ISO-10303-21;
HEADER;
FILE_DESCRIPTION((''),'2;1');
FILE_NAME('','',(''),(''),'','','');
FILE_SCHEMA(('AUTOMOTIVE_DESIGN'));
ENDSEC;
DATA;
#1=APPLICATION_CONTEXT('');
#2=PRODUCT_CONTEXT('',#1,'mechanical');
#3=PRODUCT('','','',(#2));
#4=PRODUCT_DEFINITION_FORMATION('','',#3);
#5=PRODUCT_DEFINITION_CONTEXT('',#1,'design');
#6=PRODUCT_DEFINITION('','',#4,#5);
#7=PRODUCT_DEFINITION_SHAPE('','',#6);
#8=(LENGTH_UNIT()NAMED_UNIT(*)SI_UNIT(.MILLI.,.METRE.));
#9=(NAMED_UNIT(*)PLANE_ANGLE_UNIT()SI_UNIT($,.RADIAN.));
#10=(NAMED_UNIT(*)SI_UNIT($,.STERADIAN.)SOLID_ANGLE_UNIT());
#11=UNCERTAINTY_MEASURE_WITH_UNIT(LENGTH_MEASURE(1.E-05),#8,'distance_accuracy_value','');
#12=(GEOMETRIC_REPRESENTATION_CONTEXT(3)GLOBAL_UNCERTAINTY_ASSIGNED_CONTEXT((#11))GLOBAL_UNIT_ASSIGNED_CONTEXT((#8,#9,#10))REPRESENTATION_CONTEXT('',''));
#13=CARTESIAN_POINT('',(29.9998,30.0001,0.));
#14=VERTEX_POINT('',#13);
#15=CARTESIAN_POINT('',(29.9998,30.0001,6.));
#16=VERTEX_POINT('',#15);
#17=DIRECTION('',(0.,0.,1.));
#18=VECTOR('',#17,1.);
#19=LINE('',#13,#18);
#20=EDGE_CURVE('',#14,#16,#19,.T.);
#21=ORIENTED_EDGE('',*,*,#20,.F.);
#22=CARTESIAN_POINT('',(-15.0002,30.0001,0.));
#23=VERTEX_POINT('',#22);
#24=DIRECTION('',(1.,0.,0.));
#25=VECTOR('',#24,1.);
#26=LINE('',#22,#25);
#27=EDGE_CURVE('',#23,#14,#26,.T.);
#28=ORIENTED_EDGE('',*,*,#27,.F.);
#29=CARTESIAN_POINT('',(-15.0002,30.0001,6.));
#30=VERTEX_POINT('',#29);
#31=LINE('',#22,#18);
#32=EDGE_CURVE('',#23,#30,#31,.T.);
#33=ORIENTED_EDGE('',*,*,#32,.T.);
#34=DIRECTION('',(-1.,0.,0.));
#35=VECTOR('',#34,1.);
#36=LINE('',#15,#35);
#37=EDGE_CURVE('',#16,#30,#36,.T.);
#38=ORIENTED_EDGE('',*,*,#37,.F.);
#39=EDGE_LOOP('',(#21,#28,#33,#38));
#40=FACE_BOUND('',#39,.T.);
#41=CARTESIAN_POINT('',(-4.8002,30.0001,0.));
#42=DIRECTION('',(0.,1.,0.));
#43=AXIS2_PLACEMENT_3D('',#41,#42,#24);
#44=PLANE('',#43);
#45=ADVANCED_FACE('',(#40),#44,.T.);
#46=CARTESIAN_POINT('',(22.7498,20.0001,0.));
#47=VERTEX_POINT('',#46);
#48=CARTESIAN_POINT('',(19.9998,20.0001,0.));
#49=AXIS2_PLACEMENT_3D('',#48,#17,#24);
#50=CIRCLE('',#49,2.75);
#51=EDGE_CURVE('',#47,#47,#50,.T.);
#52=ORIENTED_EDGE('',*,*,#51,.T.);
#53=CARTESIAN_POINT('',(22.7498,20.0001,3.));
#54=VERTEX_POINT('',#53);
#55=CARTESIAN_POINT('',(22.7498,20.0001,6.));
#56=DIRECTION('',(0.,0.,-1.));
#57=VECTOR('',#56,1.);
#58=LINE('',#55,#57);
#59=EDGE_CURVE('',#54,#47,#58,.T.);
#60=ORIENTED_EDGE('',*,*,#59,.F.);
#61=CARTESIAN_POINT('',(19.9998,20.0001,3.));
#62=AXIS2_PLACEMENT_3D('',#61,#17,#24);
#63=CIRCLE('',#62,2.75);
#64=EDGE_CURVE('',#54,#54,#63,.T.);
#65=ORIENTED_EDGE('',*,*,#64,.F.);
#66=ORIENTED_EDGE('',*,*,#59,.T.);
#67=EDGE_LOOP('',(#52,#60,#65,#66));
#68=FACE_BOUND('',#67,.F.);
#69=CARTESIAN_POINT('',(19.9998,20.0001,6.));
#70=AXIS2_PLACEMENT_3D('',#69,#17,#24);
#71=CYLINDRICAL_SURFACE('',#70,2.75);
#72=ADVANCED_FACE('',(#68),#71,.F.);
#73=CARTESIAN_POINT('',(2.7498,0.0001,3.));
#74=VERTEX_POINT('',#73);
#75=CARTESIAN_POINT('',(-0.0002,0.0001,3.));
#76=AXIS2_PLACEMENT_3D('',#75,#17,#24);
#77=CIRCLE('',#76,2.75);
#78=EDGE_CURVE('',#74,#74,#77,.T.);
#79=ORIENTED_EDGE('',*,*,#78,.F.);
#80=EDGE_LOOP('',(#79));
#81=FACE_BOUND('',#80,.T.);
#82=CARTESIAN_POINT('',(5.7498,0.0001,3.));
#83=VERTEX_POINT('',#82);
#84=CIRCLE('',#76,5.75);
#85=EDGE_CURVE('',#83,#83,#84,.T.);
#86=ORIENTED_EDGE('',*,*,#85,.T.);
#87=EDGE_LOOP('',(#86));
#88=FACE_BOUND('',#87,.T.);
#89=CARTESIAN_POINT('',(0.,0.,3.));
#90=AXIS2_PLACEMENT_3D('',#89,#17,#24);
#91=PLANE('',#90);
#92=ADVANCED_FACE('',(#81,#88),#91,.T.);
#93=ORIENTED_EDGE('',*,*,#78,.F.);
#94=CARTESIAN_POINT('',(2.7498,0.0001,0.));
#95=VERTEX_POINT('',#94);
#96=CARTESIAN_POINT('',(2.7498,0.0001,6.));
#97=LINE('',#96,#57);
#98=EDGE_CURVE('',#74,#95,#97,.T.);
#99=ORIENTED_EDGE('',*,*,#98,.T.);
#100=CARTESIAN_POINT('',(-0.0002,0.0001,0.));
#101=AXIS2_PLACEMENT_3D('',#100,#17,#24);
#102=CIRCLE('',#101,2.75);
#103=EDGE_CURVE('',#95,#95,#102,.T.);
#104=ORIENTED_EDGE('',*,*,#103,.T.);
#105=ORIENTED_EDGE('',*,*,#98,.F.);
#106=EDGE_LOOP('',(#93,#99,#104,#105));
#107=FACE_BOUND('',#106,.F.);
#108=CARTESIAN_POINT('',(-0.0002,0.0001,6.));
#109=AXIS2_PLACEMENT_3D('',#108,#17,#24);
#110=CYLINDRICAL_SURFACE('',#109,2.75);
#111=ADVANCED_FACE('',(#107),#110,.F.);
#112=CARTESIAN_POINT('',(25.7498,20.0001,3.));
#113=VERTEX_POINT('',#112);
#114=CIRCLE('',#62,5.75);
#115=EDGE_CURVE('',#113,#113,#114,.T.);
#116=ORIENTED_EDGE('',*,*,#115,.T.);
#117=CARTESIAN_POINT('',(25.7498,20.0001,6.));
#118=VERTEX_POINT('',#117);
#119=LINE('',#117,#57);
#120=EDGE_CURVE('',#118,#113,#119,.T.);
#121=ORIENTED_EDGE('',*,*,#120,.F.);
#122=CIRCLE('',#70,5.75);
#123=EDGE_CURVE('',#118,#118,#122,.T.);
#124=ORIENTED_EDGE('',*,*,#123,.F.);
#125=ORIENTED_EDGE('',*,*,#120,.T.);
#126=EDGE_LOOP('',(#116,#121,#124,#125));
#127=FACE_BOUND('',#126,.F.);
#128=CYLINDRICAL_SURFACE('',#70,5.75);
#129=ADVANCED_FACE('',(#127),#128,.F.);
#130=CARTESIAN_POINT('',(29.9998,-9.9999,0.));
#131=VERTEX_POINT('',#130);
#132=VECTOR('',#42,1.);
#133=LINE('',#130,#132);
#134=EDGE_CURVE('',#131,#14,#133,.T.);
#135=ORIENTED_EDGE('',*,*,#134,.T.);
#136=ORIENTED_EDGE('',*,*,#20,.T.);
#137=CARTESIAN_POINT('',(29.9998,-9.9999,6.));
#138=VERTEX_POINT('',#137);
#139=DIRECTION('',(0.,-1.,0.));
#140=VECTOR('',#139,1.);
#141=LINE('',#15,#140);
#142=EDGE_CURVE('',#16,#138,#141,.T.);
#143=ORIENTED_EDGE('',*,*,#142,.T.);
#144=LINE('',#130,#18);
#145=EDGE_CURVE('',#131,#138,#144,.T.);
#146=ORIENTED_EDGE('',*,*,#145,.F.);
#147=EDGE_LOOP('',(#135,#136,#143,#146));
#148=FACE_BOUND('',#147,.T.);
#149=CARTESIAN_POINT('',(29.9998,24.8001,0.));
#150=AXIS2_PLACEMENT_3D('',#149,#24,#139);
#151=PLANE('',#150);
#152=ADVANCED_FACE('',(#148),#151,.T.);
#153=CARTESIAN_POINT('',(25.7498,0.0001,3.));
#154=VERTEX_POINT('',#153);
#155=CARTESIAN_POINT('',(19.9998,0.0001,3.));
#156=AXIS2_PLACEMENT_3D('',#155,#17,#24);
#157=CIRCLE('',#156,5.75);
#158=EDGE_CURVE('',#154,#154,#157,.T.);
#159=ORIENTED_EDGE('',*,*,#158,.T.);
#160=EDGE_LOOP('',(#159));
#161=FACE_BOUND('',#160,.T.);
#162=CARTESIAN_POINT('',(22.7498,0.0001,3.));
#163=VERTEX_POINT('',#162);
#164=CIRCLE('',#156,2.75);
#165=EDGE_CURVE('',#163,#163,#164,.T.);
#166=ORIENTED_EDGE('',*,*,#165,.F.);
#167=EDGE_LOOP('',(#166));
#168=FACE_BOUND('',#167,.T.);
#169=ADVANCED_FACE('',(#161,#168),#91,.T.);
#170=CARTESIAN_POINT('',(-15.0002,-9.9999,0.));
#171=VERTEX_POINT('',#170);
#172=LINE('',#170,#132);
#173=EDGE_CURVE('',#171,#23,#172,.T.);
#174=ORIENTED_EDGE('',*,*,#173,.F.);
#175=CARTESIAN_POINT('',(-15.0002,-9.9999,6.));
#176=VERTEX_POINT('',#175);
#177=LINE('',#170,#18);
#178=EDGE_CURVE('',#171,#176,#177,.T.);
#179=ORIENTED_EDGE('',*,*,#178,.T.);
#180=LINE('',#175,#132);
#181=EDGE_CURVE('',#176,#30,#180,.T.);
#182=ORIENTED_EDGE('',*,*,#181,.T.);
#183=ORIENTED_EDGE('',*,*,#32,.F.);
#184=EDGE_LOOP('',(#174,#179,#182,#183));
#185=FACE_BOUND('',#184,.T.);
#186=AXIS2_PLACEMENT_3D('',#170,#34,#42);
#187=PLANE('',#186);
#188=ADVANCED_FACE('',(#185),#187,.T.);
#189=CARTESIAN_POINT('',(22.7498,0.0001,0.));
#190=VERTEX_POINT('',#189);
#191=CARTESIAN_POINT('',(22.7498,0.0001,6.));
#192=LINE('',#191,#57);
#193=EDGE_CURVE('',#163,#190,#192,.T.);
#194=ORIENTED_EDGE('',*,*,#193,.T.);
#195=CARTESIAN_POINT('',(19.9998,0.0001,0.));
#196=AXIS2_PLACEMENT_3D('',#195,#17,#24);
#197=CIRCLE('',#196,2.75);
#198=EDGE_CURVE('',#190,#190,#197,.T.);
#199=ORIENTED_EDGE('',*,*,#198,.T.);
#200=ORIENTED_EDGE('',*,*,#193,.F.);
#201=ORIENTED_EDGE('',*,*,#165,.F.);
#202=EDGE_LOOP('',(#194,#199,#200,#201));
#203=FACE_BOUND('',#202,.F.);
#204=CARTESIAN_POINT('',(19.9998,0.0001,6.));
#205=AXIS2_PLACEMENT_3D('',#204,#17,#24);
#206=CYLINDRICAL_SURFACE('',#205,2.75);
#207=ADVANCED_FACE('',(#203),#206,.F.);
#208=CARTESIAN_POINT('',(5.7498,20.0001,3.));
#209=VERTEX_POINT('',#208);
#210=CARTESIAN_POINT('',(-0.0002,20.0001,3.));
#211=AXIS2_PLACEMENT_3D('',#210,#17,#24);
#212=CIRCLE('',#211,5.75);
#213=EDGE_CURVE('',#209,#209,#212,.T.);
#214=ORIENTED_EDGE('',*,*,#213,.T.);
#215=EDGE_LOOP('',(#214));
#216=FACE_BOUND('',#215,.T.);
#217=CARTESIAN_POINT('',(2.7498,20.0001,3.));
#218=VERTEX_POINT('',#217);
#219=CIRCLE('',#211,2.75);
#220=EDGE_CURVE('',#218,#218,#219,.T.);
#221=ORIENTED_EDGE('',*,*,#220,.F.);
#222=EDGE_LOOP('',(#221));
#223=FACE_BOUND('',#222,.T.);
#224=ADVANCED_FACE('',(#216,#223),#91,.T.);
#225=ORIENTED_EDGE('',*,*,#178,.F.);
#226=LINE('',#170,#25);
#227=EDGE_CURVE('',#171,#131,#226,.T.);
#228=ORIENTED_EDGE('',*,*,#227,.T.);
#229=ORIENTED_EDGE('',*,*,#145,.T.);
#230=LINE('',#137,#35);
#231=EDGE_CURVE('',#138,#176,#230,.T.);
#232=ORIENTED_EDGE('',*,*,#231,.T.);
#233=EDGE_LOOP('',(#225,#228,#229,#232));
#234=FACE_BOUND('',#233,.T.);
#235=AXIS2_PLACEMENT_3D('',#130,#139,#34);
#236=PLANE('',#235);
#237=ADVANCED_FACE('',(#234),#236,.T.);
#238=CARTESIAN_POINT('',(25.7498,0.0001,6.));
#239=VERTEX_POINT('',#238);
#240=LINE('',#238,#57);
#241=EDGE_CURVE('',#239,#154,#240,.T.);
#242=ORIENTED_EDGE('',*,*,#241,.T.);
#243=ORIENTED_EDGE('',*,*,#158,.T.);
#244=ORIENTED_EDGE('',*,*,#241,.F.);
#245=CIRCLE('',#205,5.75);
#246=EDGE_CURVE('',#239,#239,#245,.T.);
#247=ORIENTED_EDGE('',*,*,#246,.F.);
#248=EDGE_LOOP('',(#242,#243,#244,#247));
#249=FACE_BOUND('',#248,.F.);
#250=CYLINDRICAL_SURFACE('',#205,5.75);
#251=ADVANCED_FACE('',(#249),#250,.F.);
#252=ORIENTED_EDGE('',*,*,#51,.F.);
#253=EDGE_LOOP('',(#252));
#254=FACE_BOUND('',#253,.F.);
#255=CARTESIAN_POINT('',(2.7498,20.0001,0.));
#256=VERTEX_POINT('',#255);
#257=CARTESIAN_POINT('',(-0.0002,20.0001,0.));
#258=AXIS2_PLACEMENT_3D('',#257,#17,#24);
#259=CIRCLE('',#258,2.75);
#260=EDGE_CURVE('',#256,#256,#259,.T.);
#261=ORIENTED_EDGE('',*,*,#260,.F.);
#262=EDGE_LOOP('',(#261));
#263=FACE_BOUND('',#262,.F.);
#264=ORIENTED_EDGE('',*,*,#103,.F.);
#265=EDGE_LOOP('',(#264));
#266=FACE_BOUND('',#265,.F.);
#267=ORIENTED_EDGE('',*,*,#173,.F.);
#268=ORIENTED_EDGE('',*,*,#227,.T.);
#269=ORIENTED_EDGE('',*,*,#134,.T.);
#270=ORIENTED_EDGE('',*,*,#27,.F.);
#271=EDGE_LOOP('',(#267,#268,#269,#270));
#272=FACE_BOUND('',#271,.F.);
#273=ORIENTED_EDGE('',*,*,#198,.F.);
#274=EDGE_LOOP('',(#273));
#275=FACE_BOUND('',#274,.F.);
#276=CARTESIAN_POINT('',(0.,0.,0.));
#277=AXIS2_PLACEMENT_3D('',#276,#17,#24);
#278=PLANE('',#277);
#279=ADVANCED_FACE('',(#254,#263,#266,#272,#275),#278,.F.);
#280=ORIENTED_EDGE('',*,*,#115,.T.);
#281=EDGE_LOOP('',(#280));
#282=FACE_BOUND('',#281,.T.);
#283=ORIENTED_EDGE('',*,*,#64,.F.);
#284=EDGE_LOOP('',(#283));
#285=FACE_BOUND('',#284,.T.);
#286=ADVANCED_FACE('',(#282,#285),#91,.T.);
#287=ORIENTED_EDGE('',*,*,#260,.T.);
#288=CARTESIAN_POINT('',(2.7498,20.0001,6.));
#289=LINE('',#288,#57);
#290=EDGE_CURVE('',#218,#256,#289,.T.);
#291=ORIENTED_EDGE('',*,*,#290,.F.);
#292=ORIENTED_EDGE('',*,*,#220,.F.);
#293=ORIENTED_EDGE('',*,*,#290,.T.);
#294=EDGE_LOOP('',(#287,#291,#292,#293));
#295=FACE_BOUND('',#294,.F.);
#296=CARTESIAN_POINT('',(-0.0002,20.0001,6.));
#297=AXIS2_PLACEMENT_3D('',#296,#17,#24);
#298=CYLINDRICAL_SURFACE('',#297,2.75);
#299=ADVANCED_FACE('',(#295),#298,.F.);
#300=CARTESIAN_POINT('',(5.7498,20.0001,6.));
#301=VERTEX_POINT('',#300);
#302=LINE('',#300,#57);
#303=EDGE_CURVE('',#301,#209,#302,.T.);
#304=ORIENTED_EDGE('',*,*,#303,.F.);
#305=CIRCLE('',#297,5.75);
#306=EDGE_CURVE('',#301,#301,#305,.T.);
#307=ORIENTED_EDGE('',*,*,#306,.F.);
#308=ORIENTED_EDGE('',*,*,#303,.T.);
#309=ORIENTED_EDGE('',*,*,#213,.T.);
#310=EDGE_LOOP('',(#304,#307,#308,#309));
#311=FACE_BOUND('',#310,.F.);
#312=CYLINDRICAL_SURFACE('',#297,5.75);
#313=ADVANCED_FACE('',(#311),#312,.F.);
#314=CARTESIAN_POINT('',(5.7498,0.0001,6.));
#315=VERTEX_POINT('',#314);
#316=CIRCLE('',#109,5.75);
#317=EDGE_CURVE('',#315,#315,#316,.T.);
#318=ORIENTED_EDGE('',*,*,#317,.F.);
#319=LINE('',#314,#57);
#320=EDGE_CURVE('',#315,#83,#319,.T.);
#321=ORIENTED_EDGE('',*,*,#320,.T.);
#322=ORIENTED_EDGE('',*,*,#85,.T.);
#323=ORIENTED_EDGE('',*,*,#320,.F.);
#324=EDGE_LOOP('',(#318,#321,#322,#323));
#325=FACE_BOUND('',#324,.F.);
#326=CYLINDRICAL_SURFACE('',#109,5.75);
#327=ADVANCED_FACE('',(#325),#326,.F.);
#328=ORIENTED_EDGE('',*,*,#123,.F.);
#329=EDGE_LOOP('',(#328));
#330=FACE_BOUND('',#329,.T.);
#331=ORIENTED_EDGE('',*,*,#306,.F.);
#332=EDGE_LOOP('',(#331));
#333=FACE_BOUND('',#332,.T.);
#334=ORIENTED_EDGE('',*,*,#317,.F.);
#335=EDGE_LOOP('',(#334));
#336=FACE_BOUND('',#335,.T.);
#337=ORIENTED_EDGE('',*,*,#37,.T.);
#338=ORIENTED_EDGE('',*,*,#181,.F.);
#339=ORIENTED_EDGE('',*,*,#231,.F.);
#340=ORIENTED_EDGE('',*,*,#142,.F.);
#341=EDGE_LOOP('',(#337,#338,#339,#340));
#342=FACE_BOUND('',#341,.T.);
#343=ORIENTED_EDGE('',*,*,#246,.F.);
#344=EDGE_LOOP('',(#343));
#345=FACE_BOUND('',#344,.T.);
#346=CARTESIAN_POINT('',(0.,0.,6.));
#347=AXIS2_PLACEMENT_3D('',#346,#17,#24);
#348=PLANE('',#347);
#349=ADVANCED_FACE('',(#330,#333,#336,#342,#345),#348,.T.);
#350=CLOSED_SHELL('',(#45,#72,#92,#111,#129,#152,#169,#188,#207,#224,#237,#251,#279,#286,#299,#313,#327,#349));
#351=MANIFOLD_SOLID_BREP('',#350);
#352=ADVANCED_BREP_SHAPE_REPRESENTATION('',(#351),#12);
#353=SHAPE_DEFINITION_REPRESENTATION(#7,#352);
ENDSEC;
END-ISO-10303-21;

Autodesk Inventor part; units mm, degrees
ref_plane "YZ Plane" through (0, 0, 0) normal (1, 0, 0) x (0, 1, 0)
ref_plane "XZ Plane" through (0, 0, 0) normal (0, 1, 0) x (-1, 0, 0)
ref_plane "XY Plane" through (0, 0, 0) normal (0, 0, 1) x (1, 0, 0)
sketch "Boceto1" plane through (0, 0, 0) normal (0, 0, 1) x (1, 0, 0)
  line L0 (29.9998, -9.9999) -> (-15.0002, -9.9999)
  line L1 (-15.0002, -9.9999) -> (-15.0002, 30.0001)
  line L2 (-15.0002, 30.0001) -> (29.9998, 30.0001)
  line L3 (29.9998, 30.0001) -> (29.9998, -9.9999)
  line L4 (-9.8002, -9.9999) -> (-4.883, -9.9999) projected
  line L5 (29.9998, 24.8001) -> (29.9998, 30.0001) projected
  line L6 (-4.8002, 30.0001) -> (-10.0002, 30.0001) projected
  point P0 (0, 0)
  dimension "d0" = 45
extrude "Extrusión1" add sketch "Boceto1" along normal blind 6
sketch "Boceto8" plane through (0, 0, 6) normal (0, 0, 1) x (1, 0, 0)
  circle A0 centre (19.9998, 0.0001) radius 2.5 projected
  circle A1 centre (19.9998, 20.0001) radius 2.5 projected
  circle A2 centre (-0.0002, 0.0001) radius 2.5 projected
  circle A3 centre (-0.0002, 20.0001) radius 2.5 projected
  circle A4 centre (19.9998, 20.0001) radius 2.75
  circle A5 centre (-0.0002, 20.0001) radius 2.75
  circle A6 centre (-0.0002, 0.0001) radius 2.75
  circle A7 centre (19.9998, 0.0001) radius 2.75
  point P0 (0, 0)
  dimension "d28" = 5.5
  dimension "d29" = 5.5
  dimension "d30" = 5.5
  dimension "d31" = 5.5
extrude "Extrusión8" cut sketch "Boceto8" against normal through all contours A0 | A1 | A2 | A3 | A4 | A5 | A6 | A7
sketch "Boceto9" plane through (0, 0, 6) normal (0, 0, 1) x (1, 0, 0)
  circle A0 centre (19.9998, 0.0001) radius 2.75 projected
  circle A1 centre (-0.0002, 0.0001) radius 2.75 projected
  circle A2 centre (-0.0002, 20.0001) radius 2.75 projected
  circle A3 centre (19.9998, 20.0001) radius 2.75 projected
  circle A4 centre (19.9998, 0.0001) radius 5.75
  circle A5 centre (-0.0002, 0.0001) radius 2.75 projected
  circle A6 centre (-0.0002, 0.0001) radius 5.75
  circle A7 centre (19.9998, 20.0001) radius 2.75 projected
  circle A8 centre (19.9998, 20.0001) radius 5.75
  circle A9 centre (-0.0002, 20.0001) radius 5.75
  point P0 (0, 0)
  dimension "d34" = 11.5
  dimension "d35" = 11.5
  dimension "d36" = 11.5
  dimension "d37" = 11.5
extrude "Extrusión9" cut sketch "Boceto9" against normal blind 3
properties part number "MONTURA LCD"
